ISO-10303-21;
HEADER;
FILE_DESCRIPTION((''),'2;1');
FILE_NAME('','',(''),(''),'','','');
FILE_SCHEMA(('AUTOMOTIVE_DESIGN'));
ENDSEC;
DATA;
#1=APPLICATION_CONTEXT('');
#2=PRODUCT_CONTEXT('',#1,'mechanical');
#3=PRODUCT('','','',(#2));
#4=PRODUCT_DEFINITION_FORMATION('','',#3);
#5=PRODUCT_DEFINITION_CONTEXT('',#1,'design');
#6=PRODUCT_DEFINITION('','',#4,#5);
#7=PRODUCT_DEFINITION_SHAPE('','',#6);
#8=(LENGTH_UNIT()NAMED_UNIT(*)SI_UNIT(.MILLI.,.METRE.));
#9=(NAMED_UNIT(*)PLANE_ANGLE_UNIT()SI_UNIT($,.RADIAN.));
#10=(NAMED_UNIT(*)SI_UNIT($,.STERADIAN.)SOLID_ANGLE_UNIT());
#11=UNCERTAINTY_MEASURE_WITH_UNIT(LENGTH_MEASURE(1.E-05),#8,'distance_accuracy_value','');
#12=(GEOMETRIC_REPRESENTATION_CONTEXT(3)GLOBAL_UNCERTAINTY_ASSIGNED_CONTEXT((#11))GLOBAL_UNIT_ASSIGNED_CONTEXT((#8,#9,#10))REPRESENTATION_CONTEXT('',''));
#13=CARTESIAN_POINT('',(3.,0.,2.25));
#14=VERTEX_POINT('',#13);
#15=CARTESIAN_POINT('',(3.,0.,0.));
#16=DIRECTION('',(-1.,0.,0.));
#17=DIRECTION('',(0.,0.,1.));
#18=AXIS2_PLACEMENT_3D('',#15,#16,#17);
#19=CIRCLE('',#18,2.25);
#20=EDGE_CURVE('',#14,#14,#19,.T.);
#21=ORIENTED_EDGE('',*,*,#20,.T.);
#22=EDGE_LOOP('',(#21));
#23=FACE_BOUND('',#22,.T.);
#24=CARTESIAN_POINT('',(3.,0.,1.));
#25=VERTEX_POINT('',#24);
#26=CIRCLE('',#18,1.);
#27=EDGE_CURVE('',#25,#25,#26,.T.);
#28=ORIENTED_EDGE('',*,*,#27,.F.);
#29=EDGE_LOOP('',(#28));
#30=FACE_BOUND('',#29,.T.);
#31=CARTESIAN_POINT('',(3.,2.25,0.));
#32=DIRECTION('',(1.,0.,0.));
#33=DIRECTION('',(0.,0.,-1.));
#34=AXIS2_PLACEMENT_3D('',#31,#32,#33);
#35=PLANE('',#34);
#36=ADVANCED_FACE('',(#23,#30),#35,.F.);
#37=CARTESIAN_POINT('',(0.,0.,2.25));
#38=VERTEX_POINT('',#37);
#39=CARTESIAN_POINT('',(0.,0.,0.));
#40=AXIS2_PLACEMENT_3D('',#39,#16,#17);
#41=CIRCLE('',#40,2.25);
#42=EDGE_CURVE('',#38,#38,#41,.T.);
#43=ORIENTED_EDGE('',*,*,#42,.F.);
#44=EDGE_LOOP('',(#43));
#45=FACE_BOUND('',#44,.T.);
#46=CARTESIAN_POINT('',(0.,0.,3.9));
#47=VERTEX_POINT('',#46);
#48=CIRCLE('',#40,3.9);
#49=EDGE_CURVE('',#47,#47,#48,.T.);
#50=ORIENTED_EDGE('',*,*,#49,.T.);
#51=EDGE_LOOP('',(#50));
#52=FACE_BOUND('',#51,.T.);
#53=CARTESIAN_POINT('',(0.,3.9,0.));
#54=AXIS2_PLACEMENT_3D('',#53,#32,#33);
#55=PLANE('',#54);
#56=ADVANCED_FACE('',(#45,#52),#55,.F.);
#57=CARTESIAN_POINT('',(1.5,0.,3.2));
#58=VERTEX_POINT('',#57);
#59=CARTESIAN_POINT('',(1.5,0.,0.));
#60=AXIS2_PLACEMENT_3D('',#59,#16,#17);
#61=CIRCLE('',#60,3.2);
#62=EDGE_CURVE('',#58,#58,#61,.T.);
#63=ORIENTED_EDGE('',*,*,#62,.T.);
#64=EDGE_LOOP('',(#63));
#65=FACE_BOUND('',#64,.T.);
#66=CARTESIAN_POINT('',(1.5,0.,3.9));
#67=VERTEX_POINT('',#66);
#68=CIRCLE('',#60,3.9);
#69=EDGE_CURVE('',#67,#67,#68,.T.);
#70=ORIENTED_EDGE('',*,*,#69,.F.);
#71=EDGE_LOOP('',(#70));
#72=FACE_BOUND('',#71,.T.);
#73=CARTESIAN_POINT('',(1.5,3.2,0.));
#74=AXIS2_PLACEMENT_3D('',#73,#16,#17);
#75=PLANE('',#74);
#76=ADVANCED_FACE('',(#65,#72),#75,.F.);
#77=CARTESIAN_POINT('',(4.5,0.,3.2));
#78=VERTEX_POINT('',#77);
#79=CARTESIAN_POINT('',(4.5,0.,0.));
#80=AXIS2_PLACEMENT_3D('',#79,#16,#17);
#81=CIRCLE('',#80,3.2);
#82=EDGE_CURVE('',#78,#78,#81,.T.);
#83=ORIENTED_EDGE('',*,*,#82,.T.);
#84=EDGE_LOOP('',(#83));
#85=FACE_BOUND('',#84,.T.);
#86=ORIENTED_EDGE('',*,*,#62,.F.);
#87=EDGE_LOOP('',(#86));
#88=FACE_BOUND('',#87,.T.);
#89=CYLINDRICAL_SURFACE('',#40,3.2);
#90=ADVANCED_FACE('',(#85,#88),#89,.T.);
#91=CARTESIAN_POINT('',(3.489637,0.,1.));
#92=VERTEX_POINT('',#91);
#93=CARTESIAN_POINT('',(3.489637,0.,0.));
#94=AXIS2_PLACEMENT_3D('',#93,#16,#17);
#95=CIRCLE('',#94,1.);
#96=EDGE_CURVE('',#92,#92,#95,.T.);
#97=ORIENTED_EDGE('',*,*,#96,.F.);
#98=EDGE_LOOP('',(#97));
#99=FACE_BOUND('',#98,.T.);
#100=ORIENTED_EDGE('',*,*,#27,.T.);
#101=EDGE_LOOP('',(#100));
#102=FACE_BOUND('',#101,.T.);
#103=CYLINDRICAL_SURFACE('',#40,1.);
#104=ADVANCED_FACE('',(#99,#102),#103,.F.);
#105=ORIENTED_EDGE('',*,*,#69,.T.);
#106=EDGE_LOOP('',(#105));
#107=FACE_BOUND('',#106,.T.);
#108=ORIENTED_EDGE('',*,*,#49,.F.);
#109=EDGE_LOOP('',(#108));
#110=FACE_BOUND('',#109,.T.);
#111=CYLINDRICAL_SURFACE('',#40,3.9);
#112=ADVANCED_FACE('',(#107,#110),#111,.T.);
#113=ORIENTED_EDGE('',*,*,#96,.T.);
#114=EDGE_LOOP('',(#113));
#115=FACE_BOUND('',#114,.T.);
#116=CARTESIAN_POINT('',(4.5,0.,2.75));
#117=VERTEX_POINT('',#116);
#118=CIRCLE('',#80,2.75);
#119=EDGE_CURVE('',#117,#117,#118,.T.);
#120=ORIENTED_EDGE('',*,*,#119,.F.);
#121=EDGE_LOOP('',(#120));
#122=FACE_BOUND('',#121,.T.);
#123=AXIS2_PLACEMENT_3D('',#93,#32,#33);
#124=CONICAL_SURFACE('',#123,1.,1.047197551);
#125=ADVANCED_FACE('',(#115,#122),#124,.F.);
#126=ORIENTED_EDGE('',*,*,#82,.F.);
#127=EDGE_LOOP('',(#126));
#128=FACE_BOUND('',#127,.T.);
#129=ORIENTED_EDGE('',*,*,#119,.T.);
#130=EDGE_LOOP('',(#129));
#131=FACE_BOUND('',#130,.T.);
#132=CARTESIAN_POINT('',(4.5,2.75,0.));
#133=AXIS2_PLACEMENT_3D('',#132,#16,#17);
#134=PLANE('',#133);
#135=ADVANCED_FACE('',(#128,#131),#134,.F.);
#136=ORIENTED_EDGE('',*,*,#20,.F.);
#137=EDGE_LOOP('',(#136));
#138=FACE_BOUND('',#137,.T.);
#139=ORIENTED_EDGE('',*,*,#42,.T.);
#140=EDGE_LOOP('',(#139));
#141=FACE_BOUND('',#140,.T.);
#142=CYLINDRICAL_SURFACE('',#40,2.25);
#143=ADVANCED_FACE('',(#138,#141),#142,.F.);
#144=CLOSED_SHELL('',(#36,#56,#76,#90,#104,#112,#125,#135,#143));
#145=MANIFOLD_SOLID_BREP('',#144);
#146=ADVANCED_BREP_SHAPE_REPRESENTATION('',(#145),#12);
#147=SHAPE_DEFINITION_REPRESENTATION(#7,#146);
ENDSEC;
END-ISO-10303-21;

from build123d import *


with BuildPart() as part:
    # Эскиз1 → Повернуть1 (revolve)
    with BuildSketch(Plane.XY):
        Polygon((0, 2.25), (3, 2.25), (3, 1), (3.489637029, 1), (4.5, 2.75), (4.5, 3.2), (1.5, 3.2), (1.5, 3.9), (0, 3.9), align=None)
    revolve(axis=Axis((0, 0, 0), (1, 0, 0)))


solid = part.part
